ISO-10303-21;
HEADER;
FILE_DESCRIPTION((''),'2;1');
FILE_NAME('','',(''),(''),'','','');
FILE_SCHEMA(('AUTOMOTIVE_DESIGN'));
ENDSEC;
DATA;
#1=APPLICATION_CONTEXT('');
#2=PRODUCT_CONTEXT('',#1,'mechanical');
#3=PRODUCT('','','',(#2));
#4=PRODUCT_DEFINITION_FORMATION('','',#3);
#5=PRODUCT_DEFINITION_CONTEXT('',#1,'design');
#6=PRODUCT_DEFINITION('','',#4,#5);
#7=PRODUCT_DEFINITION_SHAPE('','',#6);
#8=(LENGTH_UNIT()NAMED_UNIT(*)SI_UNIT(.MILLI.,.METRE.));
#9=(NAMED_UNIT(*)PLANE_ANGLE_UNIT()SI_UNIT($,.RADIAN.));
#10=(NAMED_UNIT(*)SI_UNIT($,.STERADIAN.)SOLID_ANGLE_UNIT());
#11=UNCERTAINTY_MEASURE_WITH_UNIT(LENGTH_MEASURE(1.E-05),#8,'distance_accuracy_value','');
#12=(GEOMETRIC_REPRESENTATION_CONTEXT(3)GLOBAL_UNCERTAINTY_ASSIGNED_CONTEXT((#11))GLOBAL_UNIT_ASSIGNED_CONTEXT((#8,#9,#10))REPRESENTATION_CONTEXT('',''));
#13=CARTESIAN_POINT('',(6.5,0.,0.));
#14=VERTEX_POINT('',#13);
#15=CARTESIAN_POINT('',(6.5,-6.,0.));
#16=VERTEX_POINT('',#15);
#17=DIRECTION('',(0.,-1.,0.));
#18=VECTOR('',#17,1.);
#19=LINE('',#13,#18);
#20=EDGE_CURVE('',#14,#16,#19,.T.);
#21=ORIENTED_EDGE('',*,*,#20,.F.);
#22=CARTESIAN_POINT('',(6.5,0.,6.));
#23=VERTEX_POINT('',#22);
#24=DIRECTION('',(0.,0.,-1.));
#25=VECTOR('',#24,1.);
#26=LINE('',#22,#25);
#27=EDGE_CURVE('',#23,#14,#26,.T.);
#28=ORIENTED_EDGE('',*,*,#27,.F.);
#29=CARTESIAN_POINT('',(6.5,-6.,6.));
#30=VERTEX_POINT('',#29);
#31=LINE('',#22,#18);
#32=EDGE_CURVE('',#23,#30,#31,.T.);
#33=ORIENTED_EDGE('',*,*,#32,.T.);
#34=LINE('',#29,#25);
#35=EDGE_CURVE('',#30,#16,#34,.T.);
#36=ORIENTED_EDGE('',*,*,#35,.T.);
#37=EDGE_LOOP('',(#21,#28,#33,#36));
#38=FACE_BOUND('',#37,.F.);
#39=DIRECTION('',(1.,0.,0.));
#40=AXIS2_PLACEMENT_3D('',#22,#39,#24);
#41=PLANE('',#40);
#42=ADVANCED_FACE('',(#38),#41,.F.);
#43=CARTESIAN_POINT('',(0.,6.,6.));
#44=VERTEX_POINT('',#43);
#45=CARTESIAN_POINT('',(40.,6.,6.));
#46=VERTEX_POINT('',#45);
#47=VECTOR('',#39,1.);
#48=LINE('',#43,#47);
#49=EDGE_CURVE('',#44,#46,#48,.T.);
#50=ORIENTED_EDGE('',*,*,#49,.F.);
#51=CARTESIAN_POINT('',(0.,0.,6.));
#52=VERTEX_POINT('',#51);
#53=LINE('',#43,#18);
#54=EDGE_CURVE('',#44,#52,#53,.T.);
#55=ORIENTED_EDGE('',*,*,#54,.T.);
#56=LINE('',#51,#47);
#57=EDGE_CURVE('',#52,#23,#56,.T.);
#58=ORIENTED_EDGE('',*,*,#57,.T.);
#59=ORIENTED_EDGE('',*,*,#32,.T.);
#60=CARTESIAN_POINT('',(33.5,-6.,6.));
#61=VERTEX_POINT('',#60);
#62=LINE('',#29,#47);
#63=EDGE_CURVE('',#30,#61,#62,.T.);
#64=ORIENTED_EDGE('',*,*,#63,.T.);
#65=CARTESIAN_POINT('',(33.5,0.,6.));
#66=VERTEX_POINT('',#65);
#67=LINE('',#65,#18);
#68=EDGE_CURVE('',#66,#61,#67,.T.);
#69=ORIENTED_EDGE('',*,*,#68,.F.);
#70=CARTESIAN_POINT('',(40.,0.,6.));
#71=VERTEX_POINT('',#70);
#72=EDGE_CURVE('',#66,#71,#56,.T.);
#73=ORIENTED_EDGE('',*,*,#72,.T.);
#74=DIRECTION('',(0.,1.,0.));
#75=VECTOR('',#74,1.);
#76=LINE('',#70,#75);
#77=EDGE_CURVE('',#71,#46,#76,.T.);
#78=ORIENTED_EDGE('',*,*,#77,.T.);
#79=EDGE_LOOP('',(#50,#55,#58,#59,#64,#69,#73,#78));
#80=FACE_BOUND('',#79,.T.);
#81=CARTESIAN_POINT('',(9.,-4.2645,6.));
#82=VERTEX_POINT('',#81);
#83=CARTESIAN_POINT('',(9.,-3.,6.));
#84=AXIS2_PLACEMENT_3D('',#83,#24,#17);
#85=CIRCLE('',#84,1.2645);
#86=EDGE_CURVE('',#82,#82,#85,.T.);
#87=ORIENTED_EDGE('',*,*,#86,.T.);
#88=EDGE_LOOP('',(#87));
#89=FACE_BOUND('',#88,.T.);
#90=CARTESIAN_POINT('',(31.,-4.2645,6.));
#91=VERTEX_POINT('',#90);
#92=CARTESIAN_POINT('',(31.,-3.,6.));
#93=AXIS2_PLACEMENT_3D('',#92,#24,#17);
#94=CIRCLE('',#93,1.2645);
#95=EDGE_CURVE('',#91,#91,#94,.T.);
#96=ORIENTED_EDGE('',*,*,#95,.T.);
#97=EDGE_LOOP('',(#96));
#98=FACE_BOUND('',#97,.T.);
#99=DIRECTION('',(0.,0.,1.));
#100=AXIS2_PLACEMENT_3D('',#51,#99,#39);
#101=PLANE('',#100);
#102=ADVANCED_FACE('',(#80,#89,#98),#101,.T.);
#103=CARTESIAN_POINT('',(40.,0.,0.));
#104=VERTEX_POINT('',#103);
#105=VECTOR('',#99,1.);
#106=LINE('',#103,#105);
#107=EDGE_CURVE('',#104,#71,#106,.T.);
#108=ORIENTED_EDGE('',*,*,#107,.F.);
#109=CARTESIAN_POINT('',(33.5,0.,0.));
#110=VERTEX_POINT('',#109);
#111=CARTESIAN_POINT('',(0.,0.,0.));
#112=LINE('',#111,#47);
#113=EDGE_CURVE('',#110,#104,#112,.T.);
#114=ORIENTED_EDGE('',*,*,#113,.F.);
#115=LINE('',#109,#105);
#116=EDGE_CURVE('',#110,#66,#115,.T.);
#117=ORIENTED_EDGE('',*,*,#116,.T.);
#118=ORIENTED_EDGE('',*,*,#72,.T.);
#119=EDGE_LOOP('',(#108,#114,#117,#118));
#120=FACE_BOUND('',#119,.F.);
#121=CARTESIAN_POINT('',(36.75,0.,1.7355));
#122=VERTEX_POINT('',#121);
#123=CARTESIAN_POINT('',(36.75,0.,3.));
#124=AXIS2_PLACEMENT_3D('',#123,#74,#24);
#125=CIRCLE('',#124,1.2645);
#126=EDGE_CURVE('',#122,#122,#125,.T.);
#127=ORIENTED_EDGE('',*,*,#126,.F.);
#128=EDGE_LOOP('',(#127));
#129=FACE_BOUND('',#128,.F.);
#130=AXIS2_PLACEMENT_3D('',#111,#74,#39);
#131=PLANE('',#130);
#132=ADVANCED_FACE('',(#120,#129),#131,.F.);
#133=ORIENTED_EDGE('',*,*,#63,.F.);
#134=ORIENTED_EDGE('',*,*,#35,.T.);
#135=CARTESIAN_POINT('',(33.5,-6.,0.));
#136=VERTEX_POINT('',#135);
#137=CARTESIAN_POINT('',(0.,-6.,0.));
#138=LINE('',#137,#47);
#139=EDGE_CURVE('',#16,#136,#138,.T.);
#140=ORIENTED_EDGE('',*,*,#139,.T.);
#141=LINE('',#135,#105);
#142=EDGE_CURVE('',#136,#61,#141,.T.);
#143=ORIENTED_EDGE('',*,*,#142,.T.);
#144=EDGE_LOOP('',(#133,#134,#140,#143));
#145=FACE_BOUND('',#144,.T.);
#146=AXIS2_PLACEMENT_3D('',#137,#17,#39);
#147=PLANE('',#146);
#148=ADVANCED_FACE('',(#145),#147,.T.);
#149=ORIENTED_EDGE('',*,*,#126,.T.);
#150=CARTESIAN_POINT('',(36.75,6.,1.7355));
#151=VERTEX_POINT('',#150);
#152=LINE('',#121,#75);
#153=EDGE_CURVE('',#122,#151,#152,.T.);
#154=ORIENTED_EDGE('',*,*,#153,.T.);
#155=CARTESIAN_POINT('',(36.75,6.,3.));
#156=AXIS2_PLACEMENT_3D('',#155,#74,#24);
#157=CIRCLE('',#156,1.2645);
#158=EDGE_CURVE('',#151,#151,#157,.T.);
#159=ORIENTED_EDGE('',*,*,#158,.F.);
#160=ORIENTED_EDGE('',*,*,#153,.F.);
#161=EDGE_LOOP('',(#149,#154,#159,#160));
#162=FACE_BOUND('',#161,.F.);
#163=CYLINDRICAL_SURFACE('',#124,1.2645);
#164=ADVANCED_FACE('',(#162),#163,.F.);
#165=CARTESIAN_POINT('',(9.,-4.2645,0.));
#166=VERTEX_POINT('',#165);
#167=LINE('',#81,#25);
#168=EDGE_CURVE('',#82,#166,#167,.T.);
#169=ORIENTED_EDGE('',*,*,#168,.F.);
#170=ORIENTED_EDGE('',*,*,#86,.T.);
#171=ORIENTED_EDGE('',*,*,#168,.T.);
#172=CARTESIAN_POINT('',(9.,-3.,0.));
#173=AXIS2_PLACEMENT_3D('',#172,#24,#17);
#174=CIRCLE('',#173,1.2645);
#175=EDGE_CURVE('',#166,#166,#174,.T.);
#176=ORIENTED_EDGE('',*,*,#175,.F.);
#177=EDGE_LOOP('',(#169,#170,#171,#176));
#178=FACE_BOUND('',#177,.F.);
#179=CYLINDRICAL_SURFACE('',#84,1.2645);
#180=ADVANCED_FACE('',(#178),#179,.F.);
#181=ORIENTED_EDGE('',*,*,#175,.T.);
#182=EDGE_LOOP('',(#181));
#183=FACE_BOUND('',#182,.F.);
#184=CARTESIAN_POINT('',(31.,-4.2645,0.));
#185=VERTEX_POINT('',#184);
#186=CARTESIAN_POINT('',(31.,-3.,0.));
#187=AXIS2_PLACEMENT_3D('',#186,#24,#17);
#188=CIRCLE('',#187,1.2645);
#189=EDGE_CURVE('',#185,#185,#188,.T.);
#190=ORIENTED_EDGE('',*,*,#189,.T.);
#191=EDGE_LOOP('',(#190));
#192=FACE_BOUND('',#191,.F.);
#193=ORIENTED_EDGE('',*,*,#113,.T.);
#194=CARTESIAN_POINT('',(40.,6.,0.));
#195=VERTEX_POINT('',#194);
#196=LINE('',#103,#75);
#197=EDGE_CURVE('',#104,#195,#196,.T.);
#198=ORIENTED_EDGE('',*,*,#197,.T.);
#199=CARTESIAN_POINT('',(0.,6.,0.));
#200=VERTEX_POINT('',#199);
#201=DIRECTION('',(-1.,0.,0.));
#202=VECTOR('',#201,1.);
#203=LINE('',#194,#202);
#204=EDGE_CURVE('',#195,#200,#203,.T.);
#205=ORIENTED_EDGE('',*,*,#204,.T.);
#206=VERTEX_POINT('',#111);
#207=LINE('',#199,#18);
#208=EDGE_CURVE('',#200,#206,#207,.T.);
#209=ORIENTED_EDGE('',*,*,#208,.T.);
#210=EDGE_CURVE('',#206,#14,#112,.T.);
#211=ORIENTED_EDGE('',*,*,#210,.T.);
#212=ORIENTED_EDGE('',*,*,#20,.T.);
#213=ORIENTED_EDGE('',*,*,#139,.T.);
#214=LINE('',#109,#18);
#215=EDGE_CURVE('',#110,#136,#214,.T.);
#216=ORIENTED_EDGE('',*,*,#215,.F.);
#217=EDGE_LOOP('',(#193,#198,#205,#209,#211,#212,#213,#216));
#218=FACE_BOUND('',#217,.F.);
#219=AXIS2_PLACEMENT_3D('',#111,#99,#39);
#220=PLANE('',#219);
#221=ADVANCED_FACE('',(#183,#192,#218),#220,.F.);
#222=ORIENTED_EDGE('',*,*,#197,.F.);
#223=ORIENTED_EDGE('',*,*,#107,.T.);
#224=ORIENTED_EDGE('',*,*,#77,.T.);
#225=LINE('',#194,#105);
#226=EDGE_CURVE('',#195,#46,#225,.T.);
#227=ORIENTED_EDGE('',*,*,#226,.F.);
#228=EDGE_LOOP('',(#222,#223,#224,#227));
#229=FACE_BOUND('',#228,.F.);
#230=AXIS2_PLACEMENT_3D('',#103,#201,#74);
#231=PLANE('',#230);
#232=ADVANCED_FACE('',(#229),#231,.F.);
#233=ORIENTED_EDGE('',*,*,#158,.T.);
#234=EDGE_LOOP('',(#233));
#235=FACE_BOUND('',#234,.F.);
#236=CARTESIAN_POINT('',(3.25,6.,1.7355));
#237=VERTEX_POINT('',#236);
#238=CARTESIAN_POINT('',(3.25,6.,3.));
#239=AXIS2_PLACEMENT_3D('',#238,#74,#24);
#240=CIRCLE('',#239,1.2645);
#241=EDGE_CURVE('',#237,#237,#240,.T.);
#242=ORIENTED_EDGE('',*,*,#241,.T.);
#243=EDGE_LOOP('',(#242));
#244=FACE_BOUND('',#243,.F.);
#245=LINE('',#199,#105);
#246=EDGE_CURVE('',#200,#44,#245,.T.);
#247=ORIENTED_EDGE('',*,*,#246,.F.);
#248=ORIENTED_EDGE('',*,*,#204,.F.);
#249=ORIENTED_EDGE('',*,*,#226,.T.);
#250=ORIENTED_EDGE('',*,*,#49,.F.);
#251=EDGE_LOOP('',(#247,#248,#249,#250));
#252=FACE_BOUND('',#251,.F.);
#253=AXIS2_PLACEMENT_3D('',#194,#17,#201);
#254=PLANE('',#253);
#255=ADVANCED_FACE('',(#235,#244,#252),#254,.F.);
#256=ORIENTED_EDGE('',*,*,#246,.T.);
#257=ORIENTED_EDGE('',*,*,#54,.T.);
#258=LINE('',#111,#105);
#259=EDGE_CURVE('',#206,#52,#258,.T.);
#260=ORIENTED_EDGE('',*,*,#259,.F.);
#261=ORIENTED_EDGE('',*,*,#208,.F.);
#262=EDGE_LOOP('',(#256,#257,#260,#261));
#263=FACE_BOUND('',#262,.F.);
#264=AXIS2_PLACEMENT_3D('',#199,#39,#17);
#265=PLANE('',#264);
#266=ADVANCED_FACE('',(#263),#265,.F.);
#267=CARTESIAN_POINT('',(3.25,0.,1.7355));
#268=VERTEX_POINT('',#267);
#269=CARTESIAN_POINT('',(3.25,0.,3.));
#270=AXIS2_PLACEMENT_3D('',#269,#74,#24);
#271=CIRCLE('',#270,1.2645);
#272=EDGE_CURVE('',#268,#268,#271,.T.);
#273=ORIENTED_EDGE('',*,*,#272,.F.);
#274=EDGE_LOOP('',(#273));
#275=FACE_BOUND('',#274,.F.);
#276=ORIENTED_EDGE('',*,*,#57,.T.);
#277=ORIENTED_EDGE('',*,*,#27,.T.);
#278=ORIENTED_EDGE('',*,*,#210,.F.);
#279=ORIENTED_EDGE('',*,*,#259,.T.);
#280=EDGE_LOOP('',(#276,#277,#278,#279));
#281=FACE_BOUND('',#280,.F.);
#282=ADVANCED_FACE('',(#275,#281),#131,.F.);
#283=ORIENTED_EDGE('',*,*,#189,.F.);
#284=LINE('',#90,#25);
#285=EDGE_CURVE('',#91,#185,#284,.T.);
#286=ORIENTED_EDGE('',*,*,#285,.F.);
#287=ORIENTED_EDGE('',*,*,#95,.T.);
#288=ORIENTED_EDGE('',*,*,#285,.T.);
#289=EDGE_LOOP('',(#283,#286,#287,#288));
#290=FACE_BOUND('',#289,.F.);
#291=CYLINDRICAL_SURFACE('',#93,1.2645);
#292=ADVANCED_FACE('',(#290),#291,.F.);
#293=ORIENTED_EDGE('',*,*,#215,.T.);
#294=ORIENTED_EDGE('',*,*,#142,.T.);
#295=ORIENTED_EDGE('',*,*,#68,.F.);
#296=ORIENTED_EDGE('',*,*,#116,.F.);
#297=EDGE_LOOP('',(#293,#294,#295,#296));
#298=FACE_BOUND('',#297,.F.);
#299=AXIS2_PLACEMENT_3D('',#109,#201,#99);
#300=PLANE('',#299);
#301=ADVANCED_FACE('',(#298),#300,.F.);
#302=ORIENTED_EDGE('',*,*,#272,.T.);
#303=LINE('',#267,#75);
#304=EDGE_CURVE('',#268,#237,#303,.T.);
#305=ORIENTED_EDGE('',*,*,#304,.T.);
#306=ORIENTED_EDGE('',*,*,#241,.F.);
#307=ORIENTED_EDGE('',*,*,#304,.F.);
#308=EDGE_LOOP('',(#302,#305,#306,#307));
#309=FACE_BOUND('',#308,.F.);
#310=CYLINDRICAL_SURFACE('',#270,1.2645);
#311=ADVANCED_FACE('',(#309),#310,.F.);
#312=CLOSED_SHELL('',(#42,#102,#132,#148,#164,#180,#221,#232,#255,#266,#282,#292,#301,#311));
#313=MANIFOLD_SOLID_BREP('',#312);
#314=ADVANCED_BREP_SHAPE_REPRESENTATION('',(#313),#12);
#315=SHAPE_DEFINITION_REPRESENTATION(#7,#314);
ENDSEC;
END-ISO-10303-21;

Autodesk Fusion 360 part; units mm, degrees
sketch "Sketch1" plane through (0, 0, 0) normal (0, 0, 1) x (1, 0, 0)
  line L0 (0, 0) -> (40, 0)
  line L1 (40, 0) -> (40, 6)
  line L2 (40, 6) -> (0, 6)
  line L3 (0, 6) -> (0, 0)
  dimension "d1" = 40
  dimension "d2" = 6
extrude "Extrude1" add sketch "Sketch1" along normal blind 6
sketch "Sketch2" plane through (0, 0, 0) normal (0, -1, 0) x (1, 0, 0)
  line L0 (0, 0) -> (40, 0)
  line L1 (40, 0) -> (40, 6)
  line L2 (40, 6) -> (0, 6)
  line L3 (0, 6) -> (0, 0)
  line L4 (6.5, 0) -> (33.5, 0)
  line L5 (33.5, 0) -> (33.5, 6)
  line L6 (33.5, 6) -> (6.5, 6)
  line L7 (6.5, 6) -> (6.5, 0)
  dimension "d5" = 27
  dimension "d6" = 6
extrude "Extrude2" add sketch "Sketch2" along normal blind 6 contours L0 L2 L4 L5 L6 L7
hole "Hole1" at (3.25, 0, 3) direction (0, 1, 0) diameter 2.529 depth 6 tip angle 118
hole "Hole2" at (36.75, 0, 3) direction (0, 1, 0) diameter 2.529 depth 6 tip angle 118
hole "Hole3" at (9, -3, 6) direction (0, 0, -1) diameter 2.529 depth 6 tip angle 118
hole "Hole4" at (31, -3, 6) direction (0, 0, -1) diameter 2.529 depth 6 tip angle 118
sketch "Sketch3" plane through (0, 6, 0) normal (0, 1, 0) x (-1, 0, 0)
  circle A0 centre (-36.75, 3) radius 1.2645
  circle A1 centre (-3.25, 3) radius 1.2645
  line L0 (-40, 0) -> (0, 0)
  line L1 (0, 0) -> (0, 6)
  line L2 (0, 6) -> (-40, 6)
  line L3 (-40, 6) -> (-40, 0)
  circle A2 centre (-20, 26) radius 25
  dimension "d29" = 50
sketch "Sketch4" plane through (0, -6, 0) normal (0, -1, 0) x (1, 0, 0)
  line L0 (6.5, 6) -> (6.5, 0)
  line L1 (6.5, 0) -> (33.5, 0)
  line L2 (33.5, 0) -> (33.5, 6)
  line L3 (33.5, 6) -> (6.5, 6)
  circle A0 centre (20, 11.5) radius 10.5
  dimension "d30" = 21
loft "Loft1" cut profiles "Sketch3", "Sketch4" section 1 contours L2 A2 | L2 A2 section 2 contours L3 A0 picked at (23.3871, 12.1316)
